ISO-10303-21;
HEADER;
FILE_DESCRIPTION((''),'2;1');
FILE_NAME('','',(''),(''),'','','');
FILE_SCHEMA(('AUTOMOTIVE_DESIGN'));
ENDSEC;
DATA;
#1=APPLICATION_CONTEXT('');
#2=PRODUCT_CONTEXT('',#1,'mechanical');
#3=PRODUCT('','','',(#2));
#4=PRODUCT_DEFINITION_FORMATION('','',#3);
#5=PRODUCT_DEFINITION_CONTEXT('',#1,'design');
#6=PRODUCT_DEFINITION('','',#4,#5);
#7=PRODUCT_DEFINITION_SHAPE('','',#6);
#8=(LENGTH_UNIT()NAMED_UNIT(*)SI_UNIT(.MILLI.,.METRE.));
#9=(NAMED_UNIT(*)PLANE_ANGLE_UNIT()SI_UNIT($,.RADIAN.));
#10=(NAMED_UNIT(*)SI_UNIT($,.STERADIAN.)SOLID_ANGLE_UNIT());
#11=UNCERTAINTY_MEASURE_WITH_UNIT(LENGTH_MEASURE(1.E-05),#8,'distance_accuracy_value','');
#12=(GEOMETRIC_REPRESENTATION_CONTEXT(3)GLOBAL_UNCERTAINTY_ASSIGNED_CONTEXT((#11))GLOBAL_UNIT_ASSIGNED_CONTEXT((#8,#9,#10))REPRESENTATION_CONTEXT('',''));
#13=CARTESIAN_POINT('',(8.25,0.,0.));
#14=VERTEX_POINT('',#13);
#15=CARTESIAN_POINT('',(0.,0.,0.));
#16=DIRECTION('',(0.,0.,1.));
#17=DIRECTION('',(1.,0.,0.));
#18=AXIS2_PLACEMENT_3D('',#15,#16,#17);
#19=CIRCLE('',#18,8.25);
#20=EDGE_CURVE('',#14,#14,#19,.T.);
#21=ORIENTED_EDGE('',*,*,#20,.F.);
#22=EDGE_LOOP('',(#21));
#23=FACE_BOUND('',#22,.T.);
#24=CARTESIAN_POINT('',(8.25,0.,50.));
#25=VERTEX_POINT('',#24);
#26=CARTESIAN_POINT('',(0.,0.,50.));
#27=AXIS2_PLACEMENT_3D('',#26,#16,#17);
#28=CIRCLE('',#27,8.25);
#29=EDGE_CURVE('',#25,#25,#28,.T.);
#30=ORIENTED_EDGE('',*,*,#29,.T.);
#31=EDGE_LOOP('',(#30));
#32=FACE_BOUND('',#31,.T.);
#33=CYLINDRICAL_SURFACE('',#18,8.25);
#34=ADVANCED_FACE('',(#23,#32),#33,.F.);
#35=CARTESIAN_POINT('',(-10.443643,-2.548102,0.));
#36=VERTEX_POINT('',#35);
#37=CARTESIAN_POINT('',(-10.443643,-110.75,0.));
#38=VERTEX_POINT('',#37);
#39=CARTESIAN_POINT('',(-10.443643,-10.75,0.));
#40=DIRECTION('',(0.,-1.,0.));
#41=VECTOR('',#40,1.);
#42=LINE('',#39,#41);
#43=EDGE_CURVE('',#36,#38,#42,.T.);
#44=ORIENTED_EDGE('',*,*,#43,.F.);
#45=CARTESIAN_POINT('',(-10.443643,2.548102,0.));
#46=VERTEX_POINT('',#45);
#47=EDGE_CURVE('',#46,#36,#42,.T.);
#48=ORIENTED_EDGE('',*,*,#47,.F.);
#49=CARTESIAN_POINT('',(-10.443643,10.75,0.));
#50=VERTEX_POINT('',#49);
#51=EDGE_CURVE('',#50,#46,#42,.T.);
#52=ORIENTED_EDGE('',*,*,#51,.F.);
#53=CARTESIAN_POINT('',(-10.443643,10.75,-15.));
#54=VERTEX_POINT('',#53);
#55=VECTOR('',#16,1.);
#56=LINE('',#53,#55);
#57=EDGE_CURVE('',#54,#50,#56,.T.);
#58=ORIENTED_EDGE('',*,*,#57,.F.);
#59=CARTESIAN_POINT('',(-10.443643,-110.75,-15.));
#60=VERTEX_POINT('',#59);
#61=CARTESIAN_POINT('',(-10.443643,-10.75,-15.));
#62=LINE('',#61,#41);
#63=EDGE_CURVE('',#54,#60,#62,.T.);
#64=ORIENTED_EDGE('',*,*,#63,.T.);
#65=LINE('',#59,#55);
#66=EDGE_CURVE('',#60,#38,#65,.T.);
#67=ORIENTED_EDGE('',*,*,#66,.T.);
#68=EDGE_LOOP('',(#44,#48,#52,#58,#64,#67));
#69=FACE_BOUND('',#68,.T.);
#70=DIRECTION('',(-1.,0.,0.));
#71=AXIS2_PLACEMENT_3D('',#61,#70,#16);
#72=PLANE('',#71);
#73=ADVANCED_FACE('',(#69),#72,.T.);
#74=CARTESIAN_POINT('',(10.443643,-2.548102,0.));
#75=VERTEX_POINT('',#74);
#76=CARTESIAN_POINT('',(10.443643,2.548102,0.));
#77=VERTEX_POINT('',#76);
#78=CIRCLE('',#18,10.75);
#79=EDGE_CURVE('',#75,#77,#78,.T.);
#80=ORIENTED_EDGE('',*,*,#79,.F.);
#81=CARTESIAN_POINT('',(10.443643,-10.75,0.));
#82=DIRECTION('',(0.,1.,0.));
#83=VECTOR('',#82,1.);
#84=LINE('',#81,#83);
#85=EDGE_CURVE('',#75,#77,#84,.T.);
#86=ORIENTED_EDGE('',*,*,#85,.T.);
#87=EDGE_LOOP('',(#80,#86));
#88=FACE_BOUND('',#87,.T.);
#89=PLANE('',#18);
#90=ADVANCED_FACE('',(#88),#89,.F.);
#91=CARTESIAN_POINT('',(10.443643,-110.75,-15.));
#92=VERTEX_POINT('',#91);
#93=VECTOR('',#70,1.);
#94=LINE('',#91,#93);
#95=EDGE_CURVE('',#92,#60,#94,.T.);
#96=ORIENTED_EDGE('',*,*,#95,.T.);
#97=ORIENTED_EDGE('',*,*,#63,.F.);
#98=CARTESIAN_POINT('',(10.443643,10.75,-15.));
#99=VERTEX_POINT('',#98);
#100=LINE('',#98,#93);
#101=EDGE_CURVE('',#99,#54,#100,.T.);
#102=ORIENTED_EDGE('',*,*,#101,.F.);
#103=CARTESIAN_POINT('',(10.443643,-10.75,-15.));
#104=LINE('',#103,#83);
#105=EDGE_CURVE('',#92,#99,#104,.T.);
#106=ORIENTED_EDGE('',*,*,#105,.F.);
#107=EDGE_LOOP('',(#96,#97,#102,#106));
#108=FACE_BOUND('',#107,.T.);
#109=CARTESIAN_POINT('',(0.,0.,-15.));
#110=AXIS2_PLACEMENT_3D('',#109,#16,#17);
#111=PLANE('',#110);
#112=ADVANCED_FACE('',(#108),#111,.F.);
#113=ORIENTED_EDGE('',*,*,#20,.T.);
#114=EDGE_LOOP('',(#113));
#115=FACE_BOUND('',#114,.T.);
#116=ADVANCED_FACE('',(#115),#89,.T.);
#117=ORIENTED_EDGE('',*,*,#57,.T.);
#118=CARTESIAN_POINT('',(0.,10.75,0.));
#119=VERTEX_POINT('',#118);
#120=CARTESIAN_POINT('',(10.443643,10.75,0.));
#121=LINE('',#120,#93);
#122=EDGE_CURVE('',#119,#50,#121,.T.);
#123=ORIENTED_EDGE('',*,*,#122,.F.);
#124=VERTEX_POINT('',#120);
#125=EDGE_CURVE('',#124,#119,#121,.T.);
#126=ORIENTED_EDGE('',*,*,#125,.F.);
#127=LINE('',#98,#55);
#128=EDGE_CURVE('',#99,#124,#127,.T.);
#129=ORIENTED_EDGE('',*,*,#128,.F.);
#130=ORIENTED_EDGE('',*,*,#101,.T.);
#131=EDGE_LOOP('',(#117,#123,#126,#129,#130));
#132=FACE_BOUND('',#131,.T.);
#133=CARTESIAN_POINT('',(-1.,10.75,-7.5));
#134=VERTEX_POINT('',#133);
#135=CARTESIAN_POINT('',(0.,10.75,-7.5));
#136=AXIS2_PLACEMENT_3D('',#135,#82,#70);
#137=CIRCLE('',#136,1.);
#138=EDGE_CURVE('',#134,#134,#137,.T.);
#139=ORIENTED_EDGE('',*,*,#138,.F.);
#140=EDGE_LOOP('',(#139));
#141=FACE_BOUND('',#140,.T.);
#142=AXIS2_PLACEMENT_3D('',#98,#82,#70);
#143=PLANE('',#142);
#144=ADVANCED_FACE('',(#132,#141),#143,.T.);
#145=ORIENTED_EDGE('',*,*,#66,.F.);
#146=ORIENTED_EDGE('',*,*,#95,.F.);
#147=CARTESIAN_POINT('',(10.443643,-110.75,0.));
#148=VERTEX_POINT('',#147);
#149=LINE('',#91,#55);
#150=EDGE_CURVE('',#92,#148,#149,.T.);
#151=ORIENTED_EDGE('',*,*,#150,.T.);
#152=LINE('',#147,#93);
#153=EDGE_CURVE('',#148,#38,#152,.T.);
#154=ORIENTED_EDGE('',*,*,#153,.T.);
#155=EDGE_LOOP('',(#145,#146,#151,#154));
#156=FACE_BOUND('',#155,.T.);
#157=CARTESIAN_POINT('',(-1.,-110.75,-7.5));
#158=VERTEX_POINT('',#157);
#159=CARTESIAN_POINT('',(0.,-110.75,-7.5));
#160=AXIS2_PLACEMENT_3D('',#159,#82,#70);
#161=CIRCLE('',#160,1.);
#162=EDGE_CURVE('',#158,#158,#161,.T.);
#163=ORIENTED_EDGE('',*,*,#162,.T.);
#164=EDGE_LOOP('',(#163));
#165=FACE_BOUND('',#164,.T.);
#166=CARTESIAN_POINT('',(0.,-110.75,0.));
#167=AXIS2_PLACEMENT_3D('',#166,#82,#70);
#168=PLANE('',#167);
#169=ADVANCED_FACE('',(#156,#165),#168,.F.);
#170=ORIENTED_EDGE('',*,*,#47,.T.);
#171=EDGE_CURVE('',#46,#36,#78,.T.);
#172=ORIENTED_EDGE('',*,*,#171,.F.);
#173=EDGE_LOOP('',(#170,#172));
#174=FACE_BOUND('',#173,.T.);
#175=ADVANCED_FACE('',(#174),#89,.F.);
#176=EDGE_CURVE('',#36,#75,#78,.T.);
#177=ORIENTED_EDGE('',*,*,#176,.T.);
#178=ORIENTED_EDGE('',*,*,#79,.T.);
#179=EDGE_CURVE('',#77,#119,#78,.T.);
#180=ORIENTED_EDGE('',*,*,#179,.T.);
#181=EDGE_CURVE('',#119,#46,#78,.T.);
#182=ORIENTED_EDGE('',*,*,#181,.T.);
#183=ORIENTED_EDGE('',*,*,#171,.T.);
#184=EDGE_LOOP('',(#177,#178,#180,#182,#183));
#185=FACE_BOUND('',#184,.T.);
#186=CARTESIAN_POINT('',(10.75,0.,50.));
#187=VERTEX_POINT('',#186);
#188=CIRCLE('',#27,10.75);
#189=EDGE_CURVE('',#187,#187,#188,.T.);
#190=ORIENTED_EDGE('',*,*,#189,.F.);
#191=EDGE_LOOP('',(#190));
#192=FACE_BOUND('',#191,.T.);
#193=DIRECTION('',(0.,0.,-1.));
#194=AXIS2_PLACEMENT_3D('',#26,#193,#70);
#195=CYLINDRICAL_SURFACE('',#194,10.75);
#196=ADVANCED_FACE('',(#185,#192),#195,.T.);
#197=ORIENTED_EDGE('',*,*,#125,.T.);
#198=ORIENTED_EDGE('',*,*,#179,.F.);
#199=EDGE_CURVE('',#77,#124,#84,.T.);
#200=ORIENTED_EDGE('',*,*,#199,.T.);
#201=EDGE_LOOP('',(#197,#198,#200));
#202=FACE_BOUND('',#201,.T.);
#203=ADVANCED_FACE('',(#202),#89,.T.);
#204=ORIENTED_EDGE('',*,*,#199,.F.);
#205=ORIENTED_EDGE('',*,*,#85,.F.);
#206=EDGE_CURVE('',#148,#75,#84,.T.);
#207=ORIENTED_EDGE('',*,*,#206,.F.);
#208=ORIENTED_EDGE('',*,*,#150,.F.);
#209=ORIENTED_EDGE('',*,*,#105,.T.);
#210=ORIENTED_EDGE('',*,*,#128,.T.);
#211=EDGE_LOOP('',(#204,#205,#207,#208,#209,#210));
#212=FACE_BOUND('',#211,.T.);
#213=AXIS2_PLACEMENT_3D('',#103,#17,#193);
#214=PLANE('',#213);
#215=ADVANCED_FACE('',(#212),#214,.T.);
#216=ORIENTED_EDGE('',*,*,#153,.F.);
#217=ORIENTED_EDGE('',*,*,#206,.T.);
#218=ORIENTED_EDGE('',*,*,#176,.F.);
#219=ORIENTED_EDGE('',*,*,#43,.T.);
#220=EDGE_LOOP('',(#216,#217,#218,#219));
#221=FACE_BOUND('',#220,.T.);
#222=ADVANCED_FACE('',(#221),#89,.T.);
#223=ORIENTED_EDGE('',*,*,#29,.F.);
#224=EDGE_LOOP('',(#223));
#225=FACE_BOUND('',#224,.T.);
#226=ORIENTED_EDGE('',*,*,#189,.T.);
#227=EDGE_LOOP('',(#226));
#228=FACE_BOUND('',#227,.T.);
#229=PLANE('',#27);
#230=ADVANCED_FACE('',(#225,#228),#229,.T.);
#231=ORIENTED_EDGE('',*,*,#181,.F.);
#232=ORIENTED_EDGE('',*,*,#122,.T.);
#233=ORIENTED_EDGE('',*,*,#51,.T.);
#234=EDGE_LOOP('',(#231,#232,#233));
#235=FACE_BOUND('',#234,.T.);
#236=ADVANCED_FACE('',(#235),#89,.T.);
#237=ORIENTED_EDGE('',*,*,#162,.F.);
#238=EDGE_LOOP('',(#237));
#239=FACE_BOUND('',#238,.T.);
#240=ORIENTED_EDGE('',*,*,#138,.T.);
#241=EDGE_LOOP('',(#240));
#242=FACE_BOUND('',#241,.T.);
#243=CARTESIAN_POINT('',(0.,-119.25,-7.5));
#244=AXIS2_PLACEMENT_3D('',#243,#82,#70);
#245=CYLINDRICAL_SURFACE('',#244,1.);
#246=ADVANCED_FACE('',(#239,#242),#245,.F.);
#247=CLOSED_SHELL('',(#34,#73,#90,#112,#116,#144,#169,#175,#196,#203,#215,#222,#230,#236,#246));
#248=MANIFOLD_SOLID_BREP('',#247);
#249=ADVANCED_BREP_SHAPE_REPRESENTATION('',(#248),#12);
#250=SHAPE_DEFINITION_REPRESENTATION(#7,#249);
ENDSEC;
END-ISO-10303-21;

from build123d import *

# Parameters (mm, degrees)
SKETCH_1_R          = 10.75
EXTRUDE_1_DEPTH     = 50
SKETCH_2_W          = 20.887285672
SKETCH_2_H          = 21.5
EXTRUDE_2_DEPTH     = 15
SKETCH_3_W          = 20.887285672
SKETCH_3_H          = 15
EXTRUDE_3_DEPTH     = 100
SKETCH_4_R          = 1
CUT_EXTRUDE_1_DEPTH = 130
SKETCH_5_R          = 8.25
CUT_EXTRUDE_4_DEPTH = 50


with BuildPart() as part:
    # 草图1 → 凸台-拉伸1 (new body)
    with BuildSketch(Plane.XY):
        Circle(SKETCH_1_R)
    extrude(amount=EXTRUDE_1_DEPTH)

    # 草图2 → 凸台-拉伸2 (add)
    with BuildSketch(Plane.XY):
        Rectangle(SKETCH_2_W, SKETCH_2_H)
    extrude(amount=-EXTRUDE_2_DEPTH)

    # 草图3 → 凸台-拉伸3 (add)
    with BuildSketch(Plane.XZ.offset(10.75)):
        with Locations((0, -7.5)):
            Rectangle(SKETCH_3_W, SKETCH_3_H)
    extrude(amount=EXTRUDE_3_DEPTH)

    # 草图4 → 切除-拉伸1 (cut)
    with BuildSketch(Plane(origin=(0, 10.75, 0), x_dir=(1, 0, 0), z_dir=(0, 1, 0))):
        with Locations((0, 7.5)):
            Circle(SKETCH_4_R)
    extrude(amount=-CUT_EXTRUDE_1_DEPTH, mode=Mode.SUBTRACT)

    # 草图5 → 切除-拉伸4 (cut)
    with BuildSketch(Plane.XY.offset(50)):
        Circle(SKETCH_5_R)
    extrude(amount=-CUT_EXTRUDE_4_DEPTH, mode=Mode.SUBTRACT)


solid = part.part
